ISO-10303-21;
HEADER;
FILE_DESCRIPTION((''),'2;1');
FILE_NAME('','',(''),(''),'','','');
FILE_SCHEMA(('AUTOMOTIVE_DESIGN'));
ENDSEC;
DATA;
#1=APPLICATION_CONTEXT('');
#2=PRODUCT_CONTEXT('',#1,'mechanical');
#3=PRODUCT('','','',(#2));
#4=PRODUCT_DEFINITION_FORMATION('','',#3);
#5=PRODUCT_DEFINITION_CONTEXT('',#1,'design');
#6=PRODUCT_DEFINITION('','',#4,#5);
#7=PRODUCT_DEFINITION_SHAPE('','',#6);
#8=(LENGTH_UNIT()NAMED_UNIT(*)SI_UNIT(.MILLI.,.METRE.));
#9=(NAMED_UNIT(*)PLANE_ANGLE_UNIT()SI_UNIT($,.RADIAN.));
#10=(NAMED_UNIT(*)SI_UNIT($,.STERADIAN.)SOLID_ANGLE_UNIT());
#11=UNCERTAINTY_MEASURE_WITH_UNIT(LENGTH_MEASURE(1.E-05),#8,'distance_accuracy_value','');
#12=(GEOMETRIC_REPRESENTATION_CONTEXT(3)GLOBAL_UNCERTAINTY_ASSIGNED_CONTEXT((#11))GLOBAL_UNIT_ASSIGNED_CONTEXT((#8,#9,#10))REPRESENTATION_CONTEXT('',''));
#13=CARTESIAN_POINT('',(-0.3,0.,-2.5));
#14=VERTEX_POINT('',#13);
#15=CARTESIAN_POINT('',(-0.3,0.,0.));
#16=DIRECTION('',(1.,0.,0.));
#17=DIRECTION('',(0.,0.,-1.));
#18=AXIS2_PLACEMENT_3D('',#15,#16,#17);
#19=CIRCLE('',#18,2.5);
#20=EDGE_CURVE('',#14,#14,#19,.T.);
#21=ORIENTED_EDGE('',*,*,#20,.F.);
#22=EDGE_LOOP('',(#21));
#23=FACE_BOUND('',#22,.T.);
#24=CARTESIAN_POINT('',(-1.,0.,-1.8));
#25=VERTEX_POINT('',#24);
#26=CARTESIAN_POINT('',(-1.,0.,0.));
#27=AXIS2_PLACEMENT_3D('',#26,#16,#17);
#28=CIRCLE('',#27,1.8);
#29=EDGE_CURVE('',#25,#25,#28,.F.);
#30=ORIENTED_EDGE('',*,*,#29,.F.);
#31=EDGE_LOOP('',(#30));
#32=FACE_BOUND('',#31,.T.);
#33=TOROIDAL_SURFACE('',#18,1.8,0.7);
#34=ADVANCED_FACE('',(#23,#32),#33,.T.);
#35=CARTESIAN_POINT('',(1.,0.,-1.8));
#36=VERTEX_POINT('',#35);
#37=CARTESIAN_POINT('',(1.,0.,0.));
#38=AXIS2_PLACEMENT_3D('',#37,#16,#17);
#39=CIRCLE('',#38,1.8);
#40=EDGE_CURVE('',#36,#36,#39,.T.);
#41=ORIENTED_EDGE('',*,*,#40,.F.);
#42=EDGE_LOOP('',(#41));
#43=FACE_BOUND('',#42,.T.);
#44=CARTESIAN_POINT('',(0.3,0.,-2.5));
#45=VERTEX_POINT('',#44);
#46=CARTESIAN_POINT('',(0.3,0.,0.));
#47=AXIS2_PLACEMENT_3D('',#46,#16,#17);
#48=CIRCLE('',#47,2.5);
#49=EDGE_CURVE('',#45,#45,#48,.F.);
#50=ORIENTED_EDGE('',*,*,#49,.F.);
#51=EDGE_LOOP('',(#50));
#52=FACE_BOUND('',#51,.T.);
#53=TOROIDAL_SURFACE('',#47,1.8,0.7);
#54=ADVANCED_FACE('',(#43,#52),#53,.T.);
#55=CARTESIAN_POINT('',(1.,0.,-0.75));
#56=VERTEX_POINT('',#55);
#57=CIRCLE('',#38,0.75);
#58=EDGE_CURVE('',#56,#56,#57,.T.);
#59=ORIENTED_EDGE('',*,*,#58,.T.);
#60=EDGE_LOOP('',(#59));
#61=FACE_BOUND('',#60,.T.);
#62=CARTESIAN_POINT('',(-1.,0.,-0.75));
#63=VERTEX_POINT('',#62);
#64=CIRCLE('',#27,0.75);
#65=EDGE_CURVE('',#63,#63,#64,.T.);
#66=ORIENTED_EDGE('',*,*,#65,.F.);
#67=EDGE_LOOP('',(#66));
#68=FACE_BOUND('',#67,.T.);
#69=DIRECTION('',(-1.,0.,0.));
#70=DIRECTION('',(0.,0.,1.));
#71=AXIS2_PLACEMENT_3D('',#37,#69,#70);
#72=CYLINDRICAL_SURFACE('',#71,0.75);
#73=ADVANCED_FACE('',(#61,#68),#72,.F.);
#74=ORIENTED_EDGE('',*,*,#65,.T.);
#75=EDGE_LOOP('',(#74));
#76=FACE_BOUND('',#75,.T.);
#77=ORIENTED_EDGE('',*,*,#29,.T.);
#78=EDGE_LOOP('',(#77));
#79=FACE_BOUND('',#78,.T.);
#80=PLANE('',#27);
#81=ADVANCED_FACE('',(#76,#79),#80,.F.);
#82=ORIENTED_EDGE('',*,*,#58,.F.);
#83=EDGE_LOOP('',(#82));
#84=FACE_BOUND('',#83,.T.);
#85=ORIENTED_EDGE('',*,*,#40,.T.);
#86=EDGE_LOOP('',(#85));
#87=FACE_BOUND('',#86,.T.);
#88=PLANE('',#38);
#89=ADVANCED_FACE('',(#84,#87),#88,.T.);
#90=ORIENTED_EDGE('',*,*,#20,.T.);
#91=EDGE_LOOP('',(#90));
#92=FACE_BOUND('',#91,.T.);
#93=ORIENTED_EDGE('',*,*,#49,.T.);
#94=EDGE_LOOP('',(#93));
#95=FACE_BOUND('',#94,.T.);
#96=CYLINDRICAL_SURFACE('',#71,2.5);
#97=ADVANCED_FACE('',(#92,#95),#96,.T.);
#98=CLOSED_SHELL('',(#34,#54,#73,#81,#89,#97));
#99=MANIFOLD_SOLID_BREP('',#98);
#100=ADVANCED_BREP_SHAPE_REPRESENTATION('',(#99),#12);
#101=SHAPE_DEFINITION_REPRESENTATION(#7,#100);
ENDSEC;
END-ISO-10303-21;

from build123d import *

# Parameters (mm, degrees)
SKETCH1_R           = 2.5
SKETCH1_R_2         = 0.75
BOSS_EXTRUDE1_DEPTH = 1
FILLET1_R           = 0.7


with BuildPart() as part:
    # Sketch1 → Boss-Extrude1 (new body, symmetric)
    with BuildSketch(Plane(origin=(0, 0, 0), x_dir=(0, 0, -1), z_dir=(1, 0, 0))):
        Circle(SKETCH1_R)
        Circle(SKETCH1_R_2, mode=Mode.SUBTRACT)
    extrude(amount=BOSS_EXTRUDE1_DEPTH, both=True)

    # Fillet1
    fillet1_edges = [part.edges().sort_by_distance(p)[0] for p in [
        (-1, 0, 2.5),
        (1, 0, 2.5),
    ]]
    fillet(fillet1_edges, radius=FILLET1_R)


solid = part.part
